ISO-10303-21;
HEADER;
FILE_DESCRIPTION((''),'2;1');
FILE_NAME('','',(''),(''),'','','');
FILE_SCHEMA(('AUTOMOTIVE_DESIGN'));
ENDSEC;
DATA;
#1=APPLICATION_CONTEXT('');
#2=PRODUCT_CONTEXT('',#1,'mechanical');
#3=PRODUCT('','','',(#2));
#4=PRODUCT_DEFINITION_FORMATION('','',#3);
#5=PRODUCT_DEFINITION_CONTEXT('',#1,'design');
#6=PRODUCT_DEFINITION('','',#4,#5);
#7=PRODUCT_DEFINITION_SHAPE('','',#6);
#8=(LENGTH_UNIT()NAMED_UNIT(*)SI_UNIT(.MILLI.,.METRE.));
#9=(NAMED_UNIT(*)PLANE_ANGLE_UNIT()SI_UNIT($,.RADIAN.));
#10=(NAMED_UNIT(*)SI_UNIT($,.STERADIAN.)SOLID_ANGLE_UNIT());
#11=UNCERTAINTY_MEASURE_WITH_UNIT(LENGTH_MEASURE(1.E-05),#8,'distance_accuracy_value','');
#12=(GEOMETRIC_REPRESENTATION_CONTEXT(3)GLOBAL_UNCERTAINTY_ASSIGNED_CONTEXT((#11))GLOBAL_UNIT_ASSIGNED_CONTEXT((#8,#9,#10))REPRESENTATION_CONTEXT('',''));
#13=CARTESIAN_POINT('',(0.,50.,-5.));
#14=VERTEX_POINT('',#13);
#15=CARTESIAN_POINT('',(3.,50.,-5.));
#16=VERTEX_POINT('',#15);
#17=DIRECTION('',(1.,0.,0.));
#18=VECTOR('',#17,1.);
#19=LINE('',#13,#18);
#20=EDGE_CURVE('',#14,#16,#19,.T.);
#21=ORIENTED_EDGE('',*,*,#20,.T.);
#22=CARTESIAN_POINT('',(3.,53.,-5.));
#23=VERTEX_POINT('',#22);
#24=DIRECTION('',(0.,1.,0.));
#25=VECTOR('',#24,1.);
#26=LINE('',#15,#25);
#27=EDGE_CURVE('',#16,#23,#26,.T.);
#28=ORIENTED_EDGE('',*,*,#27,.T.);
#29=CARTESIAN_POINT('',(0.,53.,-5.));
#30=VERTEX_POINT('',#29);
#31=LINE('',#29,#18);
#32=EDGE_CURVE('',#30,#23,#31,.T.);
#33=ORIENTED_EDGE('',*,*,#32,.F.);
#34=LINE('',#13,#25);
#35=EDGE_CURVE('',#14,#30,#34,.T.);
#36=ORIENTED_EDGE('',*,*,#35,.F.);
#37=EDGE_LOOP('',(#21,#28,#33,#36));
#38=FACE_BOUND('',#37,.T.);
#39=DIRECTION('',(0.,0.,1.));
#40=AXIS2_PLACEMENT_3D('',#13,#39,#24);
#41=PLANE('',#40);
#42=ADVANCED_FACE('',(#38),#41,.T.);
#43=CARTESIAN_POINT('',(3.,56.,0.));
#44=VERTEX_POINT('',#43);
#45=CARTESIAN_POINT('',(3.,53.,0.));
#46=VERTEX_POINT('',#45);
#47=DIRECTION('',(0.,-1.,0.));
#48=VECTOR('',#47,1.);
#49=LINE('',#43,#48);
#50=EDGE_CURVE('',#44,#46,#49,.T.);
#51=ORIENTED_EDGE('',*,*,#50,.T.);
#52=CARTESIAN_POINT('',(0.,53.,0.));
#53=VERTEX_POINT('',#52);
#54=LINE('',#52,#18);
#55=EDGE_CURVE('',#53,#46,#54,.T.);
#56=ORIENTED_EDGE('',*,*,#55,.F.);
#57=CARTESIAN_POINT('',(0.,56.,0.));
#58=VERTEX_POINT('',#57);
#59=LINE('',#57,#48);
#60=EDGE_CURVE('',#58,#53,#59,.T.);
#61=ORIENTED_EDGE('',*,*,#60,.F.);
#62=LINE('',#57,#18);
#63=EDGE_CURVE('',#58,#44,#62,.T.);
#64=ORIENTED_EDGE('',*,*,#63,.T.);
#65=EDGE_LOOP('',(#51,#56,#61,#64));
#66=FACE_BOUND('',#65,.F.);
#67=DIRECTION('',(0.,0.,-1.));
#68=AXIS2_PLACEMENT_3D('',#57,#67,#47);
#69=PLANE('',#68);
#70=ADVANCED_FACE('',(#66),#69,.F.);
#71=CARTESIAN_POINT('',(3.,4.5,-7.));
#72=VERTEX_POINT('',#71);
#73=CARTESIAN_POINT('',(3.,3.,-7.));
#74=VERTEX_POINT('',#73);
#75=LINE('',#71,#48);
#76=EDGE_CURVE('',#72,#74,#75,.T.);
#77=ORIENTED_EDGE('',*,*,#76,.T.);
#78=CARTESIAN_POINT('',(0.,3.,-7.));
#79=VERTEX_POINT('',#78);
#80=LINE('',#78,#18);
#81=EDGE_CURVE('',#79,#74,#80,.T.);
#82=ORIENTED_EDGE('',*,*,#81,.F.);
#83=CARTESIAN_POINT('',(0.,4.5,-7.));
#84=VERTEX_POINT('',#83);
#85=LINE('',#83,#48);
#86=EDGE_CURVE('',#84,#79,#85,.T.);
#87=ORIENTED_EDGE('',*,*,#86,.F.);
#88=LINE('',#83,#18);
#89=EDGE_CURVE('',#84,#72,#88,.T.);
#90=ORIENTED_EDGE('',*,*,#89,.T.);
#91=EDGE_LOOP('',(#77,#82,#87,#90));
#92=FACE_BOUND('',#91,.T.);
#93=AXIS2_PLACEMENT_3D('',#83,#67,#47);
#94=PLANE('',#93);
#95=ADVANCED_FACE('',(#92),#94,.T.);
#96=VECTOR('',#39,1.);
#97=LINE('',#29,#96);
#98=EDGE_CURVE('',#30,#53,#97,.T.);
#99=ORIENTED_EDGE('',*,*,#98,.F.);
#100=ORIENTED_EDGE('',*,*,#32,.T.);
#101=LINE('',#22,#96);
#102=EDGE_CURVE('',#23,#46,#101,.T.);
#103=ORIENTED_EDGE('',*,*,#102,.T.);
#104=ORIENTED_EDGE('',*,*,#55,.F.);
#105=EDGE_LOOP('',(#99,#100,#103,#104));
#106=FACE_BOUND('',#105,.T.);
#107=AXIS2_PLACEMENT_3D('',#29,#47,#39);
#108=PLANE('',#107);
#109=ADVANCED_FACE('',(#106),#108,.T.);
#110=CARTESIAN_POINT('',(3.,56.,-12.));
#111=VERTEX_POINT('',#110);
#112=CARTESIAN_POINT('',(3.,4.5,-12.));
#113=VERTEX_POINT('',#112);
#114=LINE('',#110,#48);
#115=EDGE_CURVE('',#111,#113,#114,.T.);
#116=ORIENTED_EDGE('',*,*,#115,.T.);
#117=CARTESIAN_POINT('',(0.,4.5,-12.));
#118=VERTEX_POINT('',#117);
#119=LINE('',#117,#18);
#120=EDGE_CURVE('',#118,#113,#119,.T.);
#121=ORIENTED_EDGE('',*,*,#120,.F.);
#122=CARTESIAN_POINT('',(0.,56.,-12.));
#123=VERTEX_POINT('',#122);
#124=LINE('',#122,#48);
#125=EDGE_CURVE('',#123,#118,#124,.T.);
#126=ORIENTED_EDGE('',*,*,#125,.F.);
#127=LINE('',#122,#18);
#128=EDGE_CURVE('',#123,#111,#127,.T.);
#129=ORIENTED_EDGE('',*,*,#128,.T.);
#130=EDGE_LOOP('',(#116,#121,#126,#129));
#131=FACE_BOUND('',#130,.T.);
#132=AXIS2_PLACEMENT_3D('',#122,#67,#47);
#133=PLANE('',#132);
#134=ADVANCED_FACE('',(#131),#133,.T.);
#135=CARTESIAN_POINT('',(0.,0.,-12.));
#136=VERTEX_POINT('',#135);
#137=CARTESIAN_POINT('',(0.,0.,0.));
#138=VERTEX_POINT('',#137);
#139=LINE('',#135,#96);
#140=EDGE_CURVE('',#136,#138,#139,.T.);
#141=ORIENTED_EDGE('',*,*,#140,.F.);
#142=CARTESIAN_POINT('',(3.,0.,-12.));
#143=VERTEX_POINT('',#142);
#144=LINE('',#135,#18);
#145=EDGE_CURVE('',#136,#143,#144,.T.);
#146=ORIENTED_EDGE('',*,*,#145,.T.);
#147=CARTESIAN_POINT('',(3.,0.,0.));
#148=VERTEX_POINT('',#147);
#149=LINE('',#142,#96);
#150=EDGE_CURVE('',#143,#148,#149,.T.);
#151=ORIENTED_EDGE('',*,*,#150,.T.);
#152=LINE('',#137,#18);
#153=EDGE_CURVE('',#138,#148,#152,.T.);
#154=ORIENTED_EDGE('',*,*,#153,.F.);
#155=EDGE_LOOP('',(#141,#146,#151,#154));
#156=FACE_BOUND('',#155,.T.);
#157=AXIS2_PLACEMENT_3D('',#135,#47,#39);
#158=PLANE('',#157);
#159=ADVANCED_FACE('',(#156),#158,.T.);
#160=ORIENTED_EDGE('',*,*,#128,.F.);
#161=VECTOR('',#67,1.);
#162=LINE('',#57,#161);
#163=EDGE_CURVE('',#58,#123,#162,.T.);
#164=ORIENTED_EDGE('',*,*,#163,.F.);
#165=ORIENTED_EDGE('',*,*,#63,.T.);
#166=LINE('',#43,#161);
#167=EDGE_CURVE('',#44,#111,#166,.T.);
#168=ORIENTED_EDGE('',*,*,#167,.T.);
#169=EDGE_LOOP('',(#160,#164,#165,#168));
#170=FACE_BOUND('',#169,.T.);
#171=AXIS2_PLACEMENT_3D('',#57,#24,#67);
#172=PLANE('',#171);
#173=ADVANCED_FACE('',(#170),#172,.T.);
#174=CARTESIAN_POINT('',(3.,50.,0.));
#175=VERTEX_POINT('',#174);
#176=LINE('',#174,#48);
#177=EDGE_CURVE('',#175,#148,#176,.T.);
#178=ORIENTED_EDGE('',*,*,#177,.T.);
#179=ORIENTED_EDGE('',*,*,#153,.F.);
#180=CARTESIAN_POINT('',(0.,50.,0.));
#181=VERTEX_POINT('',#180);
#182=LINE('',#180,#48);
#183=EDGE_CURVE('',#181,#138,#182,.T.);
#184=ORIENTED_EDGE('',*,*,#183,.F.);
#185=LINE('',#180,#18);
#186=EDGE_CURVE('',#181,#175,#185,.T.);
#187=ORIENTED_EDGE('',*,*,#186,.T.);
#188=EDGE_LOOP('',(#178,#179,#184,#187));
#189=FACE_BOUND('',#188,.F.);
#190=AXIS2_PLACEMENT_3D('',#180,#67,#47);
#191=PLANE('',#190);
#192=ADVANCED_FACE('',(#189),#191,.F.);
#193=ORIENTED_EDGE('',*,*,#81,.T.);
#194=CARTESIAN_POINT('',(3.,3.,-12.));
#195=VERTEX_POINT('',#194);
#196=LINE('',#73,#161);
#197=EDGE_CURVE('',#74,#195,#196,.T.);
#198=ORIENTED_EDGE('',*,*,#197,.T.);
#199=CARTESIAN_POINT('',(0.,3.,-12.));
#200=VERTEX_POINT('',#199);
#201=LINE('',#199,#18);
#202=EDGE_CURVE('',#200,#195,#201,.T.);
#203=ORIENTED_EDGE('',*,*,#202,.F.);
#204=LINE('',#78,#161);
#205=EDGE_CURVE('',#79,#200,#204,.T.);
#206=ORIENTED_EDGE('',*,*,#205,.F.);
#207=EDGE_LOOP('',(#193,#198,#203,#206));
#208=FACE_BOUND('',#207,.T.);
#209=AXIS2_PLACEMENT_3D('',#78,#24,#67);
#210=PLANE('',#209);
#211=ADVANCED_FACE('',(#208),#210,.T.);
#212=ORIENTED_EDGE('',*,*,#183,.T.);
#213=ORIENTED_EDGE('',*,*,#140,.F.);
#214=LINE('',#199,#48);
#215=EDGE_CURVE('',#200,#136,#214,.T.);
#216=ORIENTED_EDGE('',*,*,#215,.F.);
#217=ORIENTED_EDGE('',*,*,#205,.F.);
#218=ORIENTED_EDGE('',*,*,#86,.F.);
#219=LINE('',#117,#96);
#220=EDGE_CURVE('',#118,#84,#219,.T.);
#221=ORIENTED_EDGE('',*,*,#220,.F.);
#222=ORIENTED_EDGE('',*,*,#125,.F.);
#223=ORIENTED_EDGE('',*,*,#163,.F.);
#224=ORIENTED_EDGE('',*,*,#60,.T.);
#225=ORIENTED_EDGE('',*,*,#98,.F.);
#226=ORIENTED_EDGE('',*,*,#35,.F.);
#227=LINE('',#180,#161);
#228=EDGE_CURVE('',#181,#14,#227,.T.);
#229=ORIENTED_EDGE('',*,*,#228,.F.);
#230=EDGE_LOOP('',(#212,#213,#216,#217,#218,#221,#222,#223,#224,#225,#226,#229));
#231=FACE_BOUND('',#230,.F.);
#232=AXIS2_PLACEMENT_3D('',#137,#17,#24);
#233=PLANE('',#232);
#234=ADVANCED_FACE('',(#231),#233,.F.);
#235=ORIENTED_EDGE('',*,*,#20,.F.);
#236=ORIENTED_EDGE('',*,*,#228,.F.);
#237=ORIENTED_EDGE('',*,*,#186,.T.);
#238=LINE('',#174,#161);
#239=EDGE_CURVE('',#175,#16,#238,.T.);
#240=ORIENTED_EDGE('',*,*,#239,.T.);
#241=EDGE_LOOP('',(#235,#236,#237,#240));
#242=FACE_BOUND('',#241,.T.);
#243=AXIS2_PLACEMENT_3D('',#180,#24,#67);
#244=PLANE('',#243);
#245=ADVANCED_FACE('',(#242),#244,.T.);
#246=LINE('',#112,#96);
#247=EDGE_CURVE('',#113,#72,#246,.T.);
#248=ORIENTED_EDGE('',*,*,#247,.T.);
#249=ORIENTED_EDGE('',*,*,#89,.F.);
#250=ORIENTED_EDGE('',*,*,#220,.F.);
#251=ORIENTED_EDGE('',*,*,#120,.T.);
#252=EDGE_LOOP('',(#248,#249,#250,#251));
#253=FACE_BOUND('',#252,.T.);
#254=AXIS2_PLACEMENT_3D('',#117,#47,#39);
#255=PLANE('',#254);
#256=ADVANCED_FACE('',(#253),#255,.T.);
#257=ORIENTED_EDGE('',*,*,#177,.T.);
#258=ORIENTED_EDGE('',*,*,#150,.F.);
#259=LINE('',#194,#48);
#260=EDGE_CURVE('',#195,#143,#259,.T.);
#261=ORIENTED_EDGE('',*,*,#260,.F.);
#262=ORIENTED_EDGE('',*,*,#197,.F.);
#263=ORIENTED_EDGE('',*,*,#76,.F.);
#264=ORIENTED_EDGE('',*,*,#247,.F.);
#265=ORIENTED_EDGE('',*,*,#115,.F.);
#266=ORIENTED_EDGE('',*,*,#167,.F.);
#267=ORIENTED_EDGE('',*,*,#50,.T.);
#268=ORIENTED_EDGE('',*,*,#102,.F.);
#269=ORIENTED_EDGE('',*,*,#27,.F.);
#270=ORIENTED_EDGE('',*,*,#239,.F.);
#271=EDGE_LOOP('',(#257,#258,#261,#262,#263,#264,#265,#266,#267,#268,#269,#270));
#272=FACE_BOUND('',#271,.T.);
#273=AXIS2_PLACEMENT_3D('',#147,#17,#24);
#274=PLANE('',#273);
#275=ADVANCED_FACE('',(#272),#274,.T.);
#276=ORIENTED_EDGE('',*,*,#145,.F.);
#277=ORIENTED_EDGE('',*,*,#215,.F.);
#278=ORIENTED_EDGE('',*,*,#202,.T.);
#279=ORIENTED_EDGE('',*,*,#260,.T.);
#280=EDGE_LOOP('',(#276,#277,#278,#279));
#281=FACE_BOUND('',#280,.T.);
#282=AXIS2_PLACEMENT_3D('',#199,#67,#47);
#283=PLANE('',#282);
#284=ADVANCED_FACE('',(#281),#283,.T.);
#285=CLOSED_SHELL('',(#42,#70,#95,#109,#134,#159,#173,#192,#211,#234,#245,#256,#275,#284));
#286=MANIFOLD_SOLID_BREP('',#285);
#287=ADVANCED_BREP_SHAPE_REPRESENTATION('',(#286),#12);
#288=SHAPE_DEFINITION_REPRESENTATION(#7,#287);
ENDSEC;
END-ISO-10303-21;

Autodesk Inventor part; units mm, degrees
ref_plane "YZ Plane" through (0, 0, 0) normal (1, 0, 0) x (0, 1, 0)
ref_plane "XZ Plane" through (0, 0, 0) normal (0, 1, 0) x (-1, 0, 0)
ref_plane "XY Plane" through (0, 0, 0) normal (0, 0, 1) x (1, 0, 0)
sketch "Sketch1" plane through (0, 0, 0) normal (1, 0, 0) x (0, 1, 0)
  line L0 (56, 0) -> (56, -12)
  line L1 (0, -12) -> (0, 0)
  line L2 (50, 0) -> (50, -5)
  line L3 (50, -5) -> (53, -5)
  line L4 (53, -5) -> (53, 0)
  line L5 (56, 0) -> (53, 0)
  line L6 (50, 0) -> (0, 0)
  line L7 (4.5, -12) -> (4.5, -7)
  line L8 (4.5, -7) -> (3, -7)
  line L9 (3, -7) -> (3, -12)
  line L10 (56, -12) -> (4.5, -12)
  line L11 (3, -12) -> (0, -12)
  dimension "d0" = 56
  dimension "d4" = 3
  dimension "d5" = 5
  dimension "d6" = 3
  dimension "d8" = 5
  dimension "d9" = 3
  dimension "d11" = 12
  dimension "d12" = 0
  dimension "d13" = 0
extrude "Extrusion1" add sketch "Sketch1" along normal blind 3
properties part number "Sensor Holder" material "Plywood, Finish"
